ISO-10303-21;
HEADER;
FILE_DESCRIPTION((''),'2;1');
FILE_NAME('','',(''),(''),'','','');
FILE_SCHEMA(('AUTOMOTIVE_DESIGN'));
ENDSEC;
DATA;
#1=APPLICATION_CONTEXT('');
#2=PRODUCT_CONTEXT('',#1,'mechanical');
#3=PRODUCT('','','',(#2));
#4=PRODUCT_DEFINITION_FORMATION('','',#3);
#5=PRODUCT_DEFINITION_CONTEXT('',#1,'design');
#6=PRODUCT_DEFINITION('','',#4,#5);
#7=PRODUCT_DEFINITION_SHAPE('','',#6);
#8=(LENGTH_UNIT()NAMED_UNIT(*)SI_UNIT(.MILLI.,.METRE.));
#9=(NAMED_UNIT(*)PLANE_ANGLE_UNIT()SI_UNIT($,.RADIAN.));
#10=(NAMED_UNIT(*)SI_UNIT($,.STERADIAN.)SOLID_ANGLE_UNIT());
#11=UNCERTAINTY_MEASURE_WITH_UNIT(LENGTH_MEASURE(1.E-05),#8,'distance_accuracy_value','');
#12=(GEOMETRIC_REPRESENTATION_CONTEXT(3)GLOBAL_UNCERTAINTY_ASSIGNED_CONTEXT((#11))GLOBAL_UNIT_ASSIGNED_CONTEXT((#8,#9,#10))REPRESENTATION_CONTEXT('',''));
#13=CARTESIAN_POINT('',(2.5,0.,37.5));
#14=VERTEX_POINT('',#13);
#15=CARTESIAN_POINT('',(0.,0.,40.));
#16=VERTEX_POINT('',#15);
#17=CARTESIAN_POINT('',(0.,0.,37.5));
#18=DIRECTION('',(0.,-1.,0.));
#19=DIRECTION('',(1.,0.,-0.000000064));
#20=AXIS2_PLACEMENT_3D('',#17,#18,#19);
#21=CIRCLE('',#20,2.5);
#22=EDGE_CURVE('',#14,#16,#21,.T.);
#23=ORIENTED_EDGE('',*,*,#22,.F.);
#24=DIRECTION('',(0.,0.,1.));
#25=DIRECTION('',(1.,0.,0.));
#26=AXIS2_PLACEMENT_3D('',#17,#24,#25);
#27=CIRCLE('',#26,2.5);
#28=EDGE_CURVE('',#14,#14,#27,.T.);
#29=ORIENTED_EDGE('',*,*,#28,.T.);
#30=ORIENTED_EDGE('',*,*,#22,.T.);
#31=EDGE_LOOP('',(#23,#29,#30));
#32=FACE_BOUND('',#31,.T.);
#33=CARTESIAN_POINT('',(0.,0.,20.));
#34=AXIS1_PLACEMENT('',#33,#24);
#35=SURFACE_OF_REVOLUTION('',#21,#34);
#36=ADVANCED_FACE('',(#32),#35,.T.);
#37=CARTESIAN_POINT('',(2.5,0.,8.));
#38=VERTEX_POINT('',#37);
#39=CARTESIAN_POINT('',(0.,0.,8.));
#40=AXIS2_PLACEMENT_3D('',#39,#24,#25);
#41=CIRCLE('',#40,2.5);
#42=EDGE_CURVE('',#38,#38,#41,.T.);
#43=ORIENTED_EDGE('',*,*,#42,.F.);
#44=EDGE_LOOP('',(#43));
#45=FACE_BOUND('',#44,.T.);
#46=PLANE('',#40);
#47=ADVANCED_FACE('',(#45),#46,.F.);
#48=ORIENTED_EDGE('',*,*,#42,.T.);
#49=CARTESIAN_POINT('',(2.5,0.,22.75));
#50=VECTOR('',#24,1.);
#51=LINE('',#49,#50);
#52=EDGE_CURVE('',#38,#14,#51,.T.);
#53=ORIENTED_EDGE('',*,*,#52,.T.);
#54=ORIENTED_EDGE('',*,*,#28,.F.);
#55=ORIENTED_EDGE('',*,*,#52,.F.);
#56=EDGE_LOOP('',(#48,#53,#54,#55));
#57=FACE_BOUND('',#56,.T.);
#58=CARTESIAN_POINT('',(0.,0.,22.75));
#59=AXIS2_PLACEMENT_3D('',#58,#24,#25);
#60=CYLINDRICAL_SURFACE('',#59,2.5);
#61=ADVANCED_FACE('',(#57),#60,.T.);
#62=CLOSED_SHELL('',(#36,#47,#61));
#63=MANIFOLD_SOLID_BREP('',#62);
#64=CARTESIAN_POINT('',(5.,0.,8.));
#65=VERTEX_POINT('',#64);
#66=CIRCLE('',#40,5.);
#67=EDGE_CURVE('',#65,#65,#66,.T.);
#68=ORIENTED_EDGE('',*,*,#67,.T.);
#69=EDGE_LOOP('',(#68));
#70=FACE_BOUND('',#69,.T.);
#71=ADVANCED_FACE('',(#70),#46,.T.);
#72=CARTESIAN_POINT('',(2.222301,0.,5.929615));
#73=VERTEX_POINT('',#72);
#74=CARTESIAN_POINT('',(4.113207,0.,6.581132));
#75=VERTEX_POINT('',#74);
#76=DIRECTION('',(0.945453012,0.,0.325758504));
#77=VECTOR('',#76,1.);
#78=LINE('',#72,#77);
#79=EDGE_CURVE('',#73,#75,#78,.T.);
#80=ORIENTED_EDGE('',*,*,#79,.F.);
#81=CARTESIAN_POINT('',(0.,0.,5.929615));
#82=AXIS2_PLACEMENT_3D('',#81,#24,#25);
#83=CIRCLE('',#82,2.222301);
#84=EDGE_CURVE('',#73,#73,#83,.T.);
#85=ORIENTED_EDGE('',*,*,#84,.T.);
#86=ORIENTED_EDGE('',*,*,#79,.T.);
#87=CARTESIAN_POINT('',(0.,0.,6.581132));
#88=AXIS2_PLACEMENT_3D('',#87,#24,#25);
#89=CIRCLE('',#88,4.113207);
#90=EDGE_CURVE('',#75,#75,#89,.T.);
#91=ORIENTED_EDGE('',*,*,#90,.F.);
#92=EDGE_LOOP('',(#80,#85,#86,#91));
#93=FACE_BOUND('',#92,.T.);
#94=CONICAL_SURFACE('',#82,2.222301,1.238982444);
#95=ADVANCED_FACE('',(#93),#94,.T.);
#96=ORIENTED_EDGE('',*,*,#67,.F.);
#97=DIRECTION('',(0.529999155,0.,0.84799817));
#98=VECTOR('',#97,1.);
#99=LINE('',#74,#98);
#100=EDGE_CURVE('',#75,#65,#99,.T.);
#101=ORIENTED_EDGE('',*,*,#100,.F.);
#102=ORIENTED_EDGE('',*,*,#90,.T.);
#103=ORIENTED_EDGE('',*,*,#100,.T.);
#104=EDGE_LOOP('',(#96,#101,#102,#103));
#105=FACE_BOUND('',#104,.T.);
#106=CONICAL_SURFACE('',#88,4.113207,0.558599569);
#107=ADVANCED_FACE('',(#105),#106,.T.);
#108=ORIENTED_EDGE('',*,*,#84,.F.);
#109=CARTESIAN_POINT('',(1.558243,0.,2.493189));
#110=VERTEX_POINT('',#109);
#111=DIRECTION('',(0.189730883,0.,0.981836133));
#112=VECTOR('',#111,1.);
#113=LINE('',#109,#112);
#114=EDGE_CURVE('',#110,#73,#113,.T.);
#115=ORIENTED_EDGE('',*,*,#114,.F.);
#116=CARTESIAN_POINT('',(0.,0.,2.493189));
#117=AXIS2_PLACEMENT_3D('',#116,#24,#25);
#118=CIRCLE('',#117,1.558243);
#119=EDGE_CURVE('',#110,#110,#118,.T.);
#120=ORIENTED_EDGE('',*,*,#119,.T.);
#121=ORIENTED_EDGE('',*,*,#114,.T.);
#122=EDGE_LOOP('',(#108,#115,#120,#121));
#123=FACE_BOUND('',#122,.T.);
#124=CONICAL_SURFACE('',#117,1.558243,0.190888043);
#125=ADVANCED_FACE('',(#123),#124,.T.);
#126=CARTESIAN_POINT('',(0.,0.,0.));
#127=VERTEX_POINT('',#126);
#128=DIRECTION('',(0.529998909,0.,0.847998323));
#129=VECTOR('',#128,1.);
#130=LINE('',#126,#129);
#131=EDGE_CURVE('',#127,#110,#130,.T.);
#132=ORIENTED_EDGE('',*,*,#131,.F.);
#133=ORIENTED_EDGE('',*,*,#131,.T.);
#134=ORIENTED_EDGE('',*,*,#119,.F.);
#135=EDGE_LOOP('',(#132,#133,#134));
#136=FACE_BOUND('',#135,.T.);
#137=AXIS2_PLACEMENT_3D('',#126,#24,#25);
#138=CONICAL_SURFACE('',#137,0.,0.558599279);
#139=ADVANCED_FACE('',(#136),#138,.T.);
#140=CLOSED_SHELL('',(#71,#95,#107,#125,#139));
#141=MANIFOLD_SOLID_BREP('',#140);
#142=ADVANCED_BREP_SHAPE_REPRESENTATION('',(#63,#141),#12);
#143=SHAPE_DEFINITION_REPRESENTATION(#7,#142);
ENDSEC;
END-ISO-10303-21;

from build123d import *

# Parameters (mm, degrees)
F0_W = 2.5
F0_H = 29.5


with BuildPart() as f1:
    # F0 (on Front) → F1 (revolve)
    with BuildSketch(Plane.XZ):
        with Locations((1.25, 22.75)):
            Rectangle(F0_W, F0_H)
        with BuildLine():
            Line((0, 40), (0, 37.5))
            Line((0, 37.5), (2.5, 37.5))
            ThreePointArc((2.5, 37.5), (1.767767, 39.267767), (0, 40))
        make_face()
    revolve(axis=Axis((0, 0, 20), (0, 0, 1)))


with BuildPart() as f2:
    # F0 (on Front) → F2 (revolve)
    with BuildSketch(Plane.XZ):
        Polygon((0, 8), (0, 0), (1.558243, 2.493189), (2.222301, 5.929615), (4.113207, 6.581132), (5, 8), (2.5, 8), align=None)
    revolve(axis=Axis((0, 0, 20), (0, 0, 1)))


solid = Compound([f1.part, f2.part])
